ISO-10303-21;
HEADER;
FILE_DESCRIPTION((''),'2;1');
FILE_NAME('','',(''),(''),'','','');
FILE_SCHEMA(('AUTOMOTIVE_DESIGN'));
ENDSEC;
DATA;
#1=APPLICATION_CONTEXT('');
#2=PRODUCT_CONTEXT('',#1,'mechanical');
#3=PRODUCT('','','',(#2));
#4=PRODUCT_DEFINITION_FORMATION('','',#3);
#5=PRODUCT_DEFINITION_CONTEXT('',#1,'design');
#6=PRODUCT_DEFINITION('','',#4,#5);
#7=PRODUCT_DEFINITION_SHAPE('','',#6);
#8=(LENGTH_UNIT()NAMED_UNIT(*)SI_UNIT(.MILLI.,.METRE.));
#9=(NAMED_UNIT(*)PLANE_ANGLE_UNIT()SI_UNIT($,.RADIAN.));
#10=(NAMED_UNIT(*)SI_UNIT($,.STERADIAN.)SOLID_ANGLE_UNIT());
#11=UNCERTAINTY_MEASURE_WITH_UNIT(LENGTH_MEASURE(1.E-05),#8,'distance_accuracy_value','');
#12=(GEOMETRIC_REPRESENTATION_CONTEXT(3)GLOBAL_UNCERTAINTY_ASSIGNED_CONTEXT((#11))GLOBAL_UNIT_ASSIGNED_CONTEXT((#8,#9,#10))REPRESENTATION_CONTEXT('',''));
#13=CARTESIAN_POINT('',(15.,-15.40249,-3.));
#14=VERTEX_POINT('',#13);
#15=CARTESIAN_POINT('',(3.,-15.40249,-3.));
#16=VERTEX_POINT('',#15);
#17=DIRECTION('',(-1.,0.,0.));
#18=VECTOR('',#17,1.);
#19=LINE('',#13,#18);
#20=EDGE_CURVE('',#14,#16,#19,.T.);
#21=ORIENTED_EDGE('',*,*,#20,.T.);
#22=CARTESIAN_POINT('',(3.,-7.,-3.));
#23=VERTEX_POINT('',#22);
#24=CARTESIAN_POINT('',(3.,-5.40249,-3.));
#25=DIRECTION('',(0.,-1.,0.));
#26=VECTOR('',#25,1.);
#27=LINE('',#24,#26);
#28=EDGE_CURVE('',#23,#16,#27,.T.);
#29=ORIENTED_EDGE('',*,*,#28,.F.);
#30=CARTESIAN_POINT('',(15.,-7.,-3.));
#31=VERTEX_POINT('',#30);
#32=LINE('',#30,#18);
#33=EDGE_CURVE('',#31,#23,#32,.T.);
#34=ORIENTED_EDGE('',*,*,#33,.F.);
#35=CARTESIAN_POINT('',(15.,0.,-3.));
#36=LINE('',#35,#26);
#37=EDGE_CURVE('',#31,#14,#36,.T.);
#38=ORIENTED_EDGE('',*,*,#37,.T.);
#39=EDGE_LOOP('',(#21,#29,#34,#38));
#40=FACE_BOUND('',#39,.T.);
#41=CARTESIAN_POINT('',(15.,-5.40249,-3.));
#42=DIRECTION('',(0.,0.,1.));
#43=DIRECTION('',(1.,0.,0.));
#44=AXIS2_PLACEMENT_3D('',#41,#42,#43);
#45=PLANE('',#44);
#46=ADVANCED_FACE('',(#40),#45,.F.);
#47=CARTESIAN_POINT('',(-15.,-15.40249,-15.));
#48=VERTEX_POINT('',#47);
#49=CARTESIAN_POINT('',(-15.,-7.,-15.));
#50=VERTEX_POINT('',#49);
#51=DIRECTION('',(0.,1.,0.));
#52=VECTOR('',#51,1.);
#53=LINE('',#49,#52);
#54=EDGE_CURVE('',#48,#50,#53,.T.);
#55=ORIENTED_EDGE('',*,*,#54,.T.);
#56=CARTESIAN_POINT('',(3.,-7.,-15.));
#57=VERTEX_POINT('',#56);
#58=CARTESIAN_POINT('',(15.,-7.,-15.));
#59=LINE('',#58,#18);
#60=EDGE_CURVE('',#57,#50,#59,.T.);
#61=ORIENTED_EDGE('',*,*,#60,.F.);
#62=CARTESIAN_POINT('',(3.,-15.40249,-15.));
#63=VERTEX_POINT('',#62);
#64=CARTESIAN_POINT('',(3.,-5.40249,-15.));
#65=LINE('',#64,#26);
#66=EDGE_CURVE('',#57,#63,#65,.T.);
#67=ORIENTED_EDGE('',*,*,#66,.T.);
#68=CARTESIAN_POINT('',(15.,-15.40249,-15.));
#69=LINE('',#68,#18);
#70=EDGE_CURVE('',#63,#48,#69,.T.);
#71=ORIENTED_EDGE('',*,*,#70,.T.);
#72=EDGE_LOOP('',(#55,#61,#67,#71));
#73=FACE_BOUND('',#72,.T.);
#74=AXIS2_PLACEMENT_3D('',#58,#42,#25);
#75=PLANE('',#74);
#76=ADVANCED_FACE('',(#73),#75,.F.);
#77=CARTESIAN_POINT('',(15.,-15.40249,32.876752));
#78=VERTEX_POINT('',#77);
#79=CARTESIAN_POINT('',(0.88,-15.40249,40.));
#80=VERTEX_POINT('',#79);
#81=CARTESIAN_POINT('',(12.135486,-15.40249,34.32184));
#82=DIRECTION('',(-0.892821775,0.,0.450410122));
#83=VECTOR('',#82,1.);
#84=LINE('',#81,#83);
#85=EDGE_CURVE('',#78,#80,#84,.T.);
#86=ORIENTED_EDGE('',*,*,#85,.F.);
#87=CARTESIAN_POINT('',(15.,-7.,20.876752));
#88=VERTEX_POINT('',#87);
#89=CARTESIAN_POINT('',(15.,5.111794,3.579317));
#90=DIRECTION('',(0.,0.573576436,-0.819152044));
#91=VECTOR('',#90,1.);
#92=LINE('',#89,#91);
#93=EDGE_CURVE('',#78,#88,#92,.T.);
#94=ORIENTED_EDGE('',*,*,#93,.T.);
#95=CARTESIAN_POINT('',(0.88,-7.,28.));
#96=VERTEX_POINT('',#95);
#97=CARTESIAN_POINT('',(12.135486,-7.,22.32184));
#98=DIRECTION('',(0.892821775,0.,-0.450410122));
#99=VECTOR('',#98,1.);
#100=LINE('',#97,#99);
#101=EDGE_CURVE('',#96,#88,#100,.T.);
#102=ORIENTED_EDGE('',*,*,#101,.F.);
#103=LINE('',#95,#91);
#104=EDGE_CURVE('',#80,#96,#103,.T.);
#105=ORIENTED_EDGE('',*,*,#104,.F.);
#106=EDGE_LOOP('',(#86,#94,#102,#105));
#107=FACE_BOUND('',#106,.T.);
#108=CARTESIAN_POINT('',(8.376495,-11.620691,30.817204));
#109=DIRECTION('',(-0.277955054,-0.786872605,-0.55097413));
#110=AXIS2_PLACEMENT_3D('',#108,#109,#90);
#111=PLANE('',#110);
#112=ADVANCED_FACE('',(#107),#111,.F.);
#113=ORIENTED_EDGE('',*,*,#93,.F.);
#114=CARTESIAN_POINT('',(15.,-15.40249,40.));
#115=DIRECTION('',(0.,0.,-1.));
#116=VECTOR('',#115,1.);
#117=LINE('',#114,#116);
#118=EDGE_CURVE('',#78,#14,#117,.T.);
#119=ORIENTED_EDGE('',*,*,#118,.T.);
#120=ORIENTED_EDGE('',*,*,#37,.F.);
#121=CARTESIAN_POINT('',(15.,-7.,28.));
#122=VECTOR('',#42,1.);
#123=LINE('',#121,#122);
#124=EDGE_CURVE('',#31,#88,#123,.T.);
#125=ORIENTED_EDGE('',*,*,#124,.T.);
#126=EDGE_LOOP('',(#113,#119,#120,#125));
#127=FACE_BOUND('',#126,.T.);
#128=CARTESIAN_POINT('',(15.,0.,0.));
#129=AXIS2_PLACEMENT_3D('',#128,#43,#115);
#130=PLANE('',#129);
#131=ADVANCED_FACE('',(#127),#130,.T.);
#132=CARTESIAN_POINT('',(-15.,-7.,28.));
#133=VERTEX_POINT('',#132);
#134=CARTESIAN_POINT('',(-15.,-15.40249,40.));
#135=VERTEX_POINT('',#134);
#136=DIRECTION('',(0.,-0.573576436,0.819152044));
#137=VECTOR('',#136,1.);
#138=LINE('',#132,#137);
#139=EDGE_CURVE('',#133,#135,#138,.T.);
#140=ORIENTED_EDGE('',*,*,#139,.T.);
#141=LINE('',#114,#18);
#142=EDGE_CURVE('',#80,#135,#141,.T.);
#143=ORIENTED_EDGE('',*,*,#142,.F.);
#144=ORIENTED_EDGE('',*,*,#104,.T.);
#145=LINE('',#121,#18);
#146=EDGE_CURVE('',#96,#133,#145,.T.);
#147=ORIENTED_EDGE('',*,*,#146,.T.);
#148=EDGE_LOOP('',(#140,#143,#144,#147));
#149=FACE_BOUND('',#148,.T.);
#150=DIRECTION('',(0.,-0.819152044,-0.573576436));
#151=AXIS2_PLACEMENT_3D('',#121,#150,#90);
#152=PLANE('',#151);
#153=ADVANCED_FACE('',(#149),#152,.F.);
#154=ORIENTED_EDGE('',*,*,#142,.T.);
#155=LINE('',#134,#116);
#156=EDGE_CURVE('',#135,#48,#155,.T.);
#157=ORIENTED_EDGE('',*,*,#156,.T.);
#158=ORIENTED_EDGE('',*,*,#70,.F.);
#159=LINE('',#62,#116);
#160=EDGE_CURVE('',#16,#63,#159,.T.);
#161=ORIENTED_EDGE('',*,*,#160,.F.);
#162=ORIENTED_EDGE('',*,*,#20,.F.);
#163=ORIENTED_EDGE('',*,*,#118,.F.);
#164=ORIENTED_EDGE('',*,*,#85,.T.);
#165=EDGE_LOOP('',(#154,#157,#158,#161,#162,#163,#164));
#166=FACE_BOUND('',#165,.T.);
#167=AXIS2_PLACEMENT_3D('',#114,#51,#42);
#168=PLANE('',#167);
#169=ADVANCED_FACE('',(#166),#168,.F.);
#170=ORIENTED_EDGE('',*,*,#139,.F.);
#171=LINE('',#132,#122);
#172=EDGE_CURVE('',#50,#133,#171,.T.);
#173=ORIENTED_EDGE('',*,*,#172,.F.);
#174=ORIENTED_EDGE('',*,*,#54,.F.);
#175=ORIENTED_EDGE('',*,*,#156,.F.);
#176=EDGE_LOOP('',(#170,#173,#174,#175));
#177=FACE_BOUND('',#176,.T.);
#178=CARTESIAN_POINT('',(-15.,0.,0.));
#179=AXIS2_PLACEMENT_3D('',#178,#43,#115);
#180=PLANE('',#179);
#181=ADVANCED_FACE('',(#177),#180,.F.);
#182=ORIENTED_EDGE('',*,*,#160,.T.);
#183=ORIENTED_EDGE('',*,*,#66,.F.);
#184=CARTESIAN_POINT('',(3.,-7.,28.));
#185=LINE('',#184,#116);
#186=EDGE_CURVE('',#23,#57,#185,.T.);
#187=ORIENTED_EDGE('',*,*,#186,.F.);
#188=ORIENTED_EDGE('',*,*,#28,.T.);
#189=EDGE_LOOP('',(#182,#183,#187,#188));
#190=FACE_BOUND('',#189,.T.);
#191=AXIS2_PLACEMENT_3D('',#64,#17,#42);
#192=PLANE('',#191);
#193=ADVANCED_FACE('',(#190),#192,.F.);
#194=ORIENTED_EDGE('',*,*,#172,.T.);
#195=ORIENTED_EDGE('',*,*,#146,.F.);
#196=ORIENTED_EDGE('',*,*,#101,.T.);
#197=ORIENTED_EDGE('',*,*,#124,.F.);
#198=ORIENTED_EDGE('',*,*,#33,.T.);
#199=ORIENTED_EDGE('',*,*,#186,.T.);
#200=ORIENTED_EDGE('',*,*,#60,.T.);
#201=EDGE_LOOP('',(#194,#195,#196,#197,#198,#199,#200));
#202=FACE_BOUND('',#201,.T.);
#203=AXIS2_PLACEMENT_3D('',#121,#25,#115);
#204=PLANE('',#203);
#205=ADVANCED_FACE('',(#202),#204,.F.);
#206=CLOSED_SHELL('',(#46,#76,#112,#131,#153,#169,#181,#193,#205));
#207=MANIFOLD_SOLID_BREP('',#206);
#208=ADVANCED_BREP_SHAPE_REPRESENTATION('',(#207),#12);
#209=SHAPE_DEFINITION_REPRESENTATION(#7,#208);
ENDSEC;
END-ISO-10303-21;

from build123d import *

# Parameters (mm, degrees)
BOSS_EXTRUDE1_DEPTH = 15
SKETCH6_R           = 26.898177411
CUT_EXTRUDE2_DEPTH  = 9
SKETCH7_W           = 12
SKETCH7_H           = 12
CUT_EXTRUDE3_DEPTH  = 10


with BuildPart() as part:
    # Sketch1 → Boss-Extrude1 (new, symmetric)
    with BuildSketch(Plane(origin=(0, 0, 0), x_dir=(0, 0, -1), z_dir=(1, 0, 0))):
        Polygon((-28, -7), (15, -7), (15, -15.402490459), (-40, -15.402490459), align=None)
    extrude(amount=BOSS_EXTRUDE1_DEPTH, both=True)

    # Sketch6 → Cut-Extrude2 (cut)
    with BuildSketch(Plane(origin=(2.825070642, 7.997590477, 5.599973139), x_dir=(-0.9605940806562516, 0.22768745094625853, 0.1594284695083218), z_dir=(-0.27795505429506184, -0.7868726049014764, -0.5509741295627175))):
        with Locations((-5.77915715, -31.909329579)):
            Circle(SKETCH6_R)
    extrude(amount=-CUT_EXTRUDE2_DEPTH, mode=Mode.SUBTRACT)

    # Sketch7 → Cut-Extrude3 (cut)
    with BuildSketch(Plane.XZ.offset(15.402490459)):
        with Locations((9, -9)):
            Rectangle(SKETCH7_W, SKETCH7_H)
    extrude(amount=-CUT_EXTRUDE3_DEPTH, mode=Mode.SUBTRACT)


solid = part.part
